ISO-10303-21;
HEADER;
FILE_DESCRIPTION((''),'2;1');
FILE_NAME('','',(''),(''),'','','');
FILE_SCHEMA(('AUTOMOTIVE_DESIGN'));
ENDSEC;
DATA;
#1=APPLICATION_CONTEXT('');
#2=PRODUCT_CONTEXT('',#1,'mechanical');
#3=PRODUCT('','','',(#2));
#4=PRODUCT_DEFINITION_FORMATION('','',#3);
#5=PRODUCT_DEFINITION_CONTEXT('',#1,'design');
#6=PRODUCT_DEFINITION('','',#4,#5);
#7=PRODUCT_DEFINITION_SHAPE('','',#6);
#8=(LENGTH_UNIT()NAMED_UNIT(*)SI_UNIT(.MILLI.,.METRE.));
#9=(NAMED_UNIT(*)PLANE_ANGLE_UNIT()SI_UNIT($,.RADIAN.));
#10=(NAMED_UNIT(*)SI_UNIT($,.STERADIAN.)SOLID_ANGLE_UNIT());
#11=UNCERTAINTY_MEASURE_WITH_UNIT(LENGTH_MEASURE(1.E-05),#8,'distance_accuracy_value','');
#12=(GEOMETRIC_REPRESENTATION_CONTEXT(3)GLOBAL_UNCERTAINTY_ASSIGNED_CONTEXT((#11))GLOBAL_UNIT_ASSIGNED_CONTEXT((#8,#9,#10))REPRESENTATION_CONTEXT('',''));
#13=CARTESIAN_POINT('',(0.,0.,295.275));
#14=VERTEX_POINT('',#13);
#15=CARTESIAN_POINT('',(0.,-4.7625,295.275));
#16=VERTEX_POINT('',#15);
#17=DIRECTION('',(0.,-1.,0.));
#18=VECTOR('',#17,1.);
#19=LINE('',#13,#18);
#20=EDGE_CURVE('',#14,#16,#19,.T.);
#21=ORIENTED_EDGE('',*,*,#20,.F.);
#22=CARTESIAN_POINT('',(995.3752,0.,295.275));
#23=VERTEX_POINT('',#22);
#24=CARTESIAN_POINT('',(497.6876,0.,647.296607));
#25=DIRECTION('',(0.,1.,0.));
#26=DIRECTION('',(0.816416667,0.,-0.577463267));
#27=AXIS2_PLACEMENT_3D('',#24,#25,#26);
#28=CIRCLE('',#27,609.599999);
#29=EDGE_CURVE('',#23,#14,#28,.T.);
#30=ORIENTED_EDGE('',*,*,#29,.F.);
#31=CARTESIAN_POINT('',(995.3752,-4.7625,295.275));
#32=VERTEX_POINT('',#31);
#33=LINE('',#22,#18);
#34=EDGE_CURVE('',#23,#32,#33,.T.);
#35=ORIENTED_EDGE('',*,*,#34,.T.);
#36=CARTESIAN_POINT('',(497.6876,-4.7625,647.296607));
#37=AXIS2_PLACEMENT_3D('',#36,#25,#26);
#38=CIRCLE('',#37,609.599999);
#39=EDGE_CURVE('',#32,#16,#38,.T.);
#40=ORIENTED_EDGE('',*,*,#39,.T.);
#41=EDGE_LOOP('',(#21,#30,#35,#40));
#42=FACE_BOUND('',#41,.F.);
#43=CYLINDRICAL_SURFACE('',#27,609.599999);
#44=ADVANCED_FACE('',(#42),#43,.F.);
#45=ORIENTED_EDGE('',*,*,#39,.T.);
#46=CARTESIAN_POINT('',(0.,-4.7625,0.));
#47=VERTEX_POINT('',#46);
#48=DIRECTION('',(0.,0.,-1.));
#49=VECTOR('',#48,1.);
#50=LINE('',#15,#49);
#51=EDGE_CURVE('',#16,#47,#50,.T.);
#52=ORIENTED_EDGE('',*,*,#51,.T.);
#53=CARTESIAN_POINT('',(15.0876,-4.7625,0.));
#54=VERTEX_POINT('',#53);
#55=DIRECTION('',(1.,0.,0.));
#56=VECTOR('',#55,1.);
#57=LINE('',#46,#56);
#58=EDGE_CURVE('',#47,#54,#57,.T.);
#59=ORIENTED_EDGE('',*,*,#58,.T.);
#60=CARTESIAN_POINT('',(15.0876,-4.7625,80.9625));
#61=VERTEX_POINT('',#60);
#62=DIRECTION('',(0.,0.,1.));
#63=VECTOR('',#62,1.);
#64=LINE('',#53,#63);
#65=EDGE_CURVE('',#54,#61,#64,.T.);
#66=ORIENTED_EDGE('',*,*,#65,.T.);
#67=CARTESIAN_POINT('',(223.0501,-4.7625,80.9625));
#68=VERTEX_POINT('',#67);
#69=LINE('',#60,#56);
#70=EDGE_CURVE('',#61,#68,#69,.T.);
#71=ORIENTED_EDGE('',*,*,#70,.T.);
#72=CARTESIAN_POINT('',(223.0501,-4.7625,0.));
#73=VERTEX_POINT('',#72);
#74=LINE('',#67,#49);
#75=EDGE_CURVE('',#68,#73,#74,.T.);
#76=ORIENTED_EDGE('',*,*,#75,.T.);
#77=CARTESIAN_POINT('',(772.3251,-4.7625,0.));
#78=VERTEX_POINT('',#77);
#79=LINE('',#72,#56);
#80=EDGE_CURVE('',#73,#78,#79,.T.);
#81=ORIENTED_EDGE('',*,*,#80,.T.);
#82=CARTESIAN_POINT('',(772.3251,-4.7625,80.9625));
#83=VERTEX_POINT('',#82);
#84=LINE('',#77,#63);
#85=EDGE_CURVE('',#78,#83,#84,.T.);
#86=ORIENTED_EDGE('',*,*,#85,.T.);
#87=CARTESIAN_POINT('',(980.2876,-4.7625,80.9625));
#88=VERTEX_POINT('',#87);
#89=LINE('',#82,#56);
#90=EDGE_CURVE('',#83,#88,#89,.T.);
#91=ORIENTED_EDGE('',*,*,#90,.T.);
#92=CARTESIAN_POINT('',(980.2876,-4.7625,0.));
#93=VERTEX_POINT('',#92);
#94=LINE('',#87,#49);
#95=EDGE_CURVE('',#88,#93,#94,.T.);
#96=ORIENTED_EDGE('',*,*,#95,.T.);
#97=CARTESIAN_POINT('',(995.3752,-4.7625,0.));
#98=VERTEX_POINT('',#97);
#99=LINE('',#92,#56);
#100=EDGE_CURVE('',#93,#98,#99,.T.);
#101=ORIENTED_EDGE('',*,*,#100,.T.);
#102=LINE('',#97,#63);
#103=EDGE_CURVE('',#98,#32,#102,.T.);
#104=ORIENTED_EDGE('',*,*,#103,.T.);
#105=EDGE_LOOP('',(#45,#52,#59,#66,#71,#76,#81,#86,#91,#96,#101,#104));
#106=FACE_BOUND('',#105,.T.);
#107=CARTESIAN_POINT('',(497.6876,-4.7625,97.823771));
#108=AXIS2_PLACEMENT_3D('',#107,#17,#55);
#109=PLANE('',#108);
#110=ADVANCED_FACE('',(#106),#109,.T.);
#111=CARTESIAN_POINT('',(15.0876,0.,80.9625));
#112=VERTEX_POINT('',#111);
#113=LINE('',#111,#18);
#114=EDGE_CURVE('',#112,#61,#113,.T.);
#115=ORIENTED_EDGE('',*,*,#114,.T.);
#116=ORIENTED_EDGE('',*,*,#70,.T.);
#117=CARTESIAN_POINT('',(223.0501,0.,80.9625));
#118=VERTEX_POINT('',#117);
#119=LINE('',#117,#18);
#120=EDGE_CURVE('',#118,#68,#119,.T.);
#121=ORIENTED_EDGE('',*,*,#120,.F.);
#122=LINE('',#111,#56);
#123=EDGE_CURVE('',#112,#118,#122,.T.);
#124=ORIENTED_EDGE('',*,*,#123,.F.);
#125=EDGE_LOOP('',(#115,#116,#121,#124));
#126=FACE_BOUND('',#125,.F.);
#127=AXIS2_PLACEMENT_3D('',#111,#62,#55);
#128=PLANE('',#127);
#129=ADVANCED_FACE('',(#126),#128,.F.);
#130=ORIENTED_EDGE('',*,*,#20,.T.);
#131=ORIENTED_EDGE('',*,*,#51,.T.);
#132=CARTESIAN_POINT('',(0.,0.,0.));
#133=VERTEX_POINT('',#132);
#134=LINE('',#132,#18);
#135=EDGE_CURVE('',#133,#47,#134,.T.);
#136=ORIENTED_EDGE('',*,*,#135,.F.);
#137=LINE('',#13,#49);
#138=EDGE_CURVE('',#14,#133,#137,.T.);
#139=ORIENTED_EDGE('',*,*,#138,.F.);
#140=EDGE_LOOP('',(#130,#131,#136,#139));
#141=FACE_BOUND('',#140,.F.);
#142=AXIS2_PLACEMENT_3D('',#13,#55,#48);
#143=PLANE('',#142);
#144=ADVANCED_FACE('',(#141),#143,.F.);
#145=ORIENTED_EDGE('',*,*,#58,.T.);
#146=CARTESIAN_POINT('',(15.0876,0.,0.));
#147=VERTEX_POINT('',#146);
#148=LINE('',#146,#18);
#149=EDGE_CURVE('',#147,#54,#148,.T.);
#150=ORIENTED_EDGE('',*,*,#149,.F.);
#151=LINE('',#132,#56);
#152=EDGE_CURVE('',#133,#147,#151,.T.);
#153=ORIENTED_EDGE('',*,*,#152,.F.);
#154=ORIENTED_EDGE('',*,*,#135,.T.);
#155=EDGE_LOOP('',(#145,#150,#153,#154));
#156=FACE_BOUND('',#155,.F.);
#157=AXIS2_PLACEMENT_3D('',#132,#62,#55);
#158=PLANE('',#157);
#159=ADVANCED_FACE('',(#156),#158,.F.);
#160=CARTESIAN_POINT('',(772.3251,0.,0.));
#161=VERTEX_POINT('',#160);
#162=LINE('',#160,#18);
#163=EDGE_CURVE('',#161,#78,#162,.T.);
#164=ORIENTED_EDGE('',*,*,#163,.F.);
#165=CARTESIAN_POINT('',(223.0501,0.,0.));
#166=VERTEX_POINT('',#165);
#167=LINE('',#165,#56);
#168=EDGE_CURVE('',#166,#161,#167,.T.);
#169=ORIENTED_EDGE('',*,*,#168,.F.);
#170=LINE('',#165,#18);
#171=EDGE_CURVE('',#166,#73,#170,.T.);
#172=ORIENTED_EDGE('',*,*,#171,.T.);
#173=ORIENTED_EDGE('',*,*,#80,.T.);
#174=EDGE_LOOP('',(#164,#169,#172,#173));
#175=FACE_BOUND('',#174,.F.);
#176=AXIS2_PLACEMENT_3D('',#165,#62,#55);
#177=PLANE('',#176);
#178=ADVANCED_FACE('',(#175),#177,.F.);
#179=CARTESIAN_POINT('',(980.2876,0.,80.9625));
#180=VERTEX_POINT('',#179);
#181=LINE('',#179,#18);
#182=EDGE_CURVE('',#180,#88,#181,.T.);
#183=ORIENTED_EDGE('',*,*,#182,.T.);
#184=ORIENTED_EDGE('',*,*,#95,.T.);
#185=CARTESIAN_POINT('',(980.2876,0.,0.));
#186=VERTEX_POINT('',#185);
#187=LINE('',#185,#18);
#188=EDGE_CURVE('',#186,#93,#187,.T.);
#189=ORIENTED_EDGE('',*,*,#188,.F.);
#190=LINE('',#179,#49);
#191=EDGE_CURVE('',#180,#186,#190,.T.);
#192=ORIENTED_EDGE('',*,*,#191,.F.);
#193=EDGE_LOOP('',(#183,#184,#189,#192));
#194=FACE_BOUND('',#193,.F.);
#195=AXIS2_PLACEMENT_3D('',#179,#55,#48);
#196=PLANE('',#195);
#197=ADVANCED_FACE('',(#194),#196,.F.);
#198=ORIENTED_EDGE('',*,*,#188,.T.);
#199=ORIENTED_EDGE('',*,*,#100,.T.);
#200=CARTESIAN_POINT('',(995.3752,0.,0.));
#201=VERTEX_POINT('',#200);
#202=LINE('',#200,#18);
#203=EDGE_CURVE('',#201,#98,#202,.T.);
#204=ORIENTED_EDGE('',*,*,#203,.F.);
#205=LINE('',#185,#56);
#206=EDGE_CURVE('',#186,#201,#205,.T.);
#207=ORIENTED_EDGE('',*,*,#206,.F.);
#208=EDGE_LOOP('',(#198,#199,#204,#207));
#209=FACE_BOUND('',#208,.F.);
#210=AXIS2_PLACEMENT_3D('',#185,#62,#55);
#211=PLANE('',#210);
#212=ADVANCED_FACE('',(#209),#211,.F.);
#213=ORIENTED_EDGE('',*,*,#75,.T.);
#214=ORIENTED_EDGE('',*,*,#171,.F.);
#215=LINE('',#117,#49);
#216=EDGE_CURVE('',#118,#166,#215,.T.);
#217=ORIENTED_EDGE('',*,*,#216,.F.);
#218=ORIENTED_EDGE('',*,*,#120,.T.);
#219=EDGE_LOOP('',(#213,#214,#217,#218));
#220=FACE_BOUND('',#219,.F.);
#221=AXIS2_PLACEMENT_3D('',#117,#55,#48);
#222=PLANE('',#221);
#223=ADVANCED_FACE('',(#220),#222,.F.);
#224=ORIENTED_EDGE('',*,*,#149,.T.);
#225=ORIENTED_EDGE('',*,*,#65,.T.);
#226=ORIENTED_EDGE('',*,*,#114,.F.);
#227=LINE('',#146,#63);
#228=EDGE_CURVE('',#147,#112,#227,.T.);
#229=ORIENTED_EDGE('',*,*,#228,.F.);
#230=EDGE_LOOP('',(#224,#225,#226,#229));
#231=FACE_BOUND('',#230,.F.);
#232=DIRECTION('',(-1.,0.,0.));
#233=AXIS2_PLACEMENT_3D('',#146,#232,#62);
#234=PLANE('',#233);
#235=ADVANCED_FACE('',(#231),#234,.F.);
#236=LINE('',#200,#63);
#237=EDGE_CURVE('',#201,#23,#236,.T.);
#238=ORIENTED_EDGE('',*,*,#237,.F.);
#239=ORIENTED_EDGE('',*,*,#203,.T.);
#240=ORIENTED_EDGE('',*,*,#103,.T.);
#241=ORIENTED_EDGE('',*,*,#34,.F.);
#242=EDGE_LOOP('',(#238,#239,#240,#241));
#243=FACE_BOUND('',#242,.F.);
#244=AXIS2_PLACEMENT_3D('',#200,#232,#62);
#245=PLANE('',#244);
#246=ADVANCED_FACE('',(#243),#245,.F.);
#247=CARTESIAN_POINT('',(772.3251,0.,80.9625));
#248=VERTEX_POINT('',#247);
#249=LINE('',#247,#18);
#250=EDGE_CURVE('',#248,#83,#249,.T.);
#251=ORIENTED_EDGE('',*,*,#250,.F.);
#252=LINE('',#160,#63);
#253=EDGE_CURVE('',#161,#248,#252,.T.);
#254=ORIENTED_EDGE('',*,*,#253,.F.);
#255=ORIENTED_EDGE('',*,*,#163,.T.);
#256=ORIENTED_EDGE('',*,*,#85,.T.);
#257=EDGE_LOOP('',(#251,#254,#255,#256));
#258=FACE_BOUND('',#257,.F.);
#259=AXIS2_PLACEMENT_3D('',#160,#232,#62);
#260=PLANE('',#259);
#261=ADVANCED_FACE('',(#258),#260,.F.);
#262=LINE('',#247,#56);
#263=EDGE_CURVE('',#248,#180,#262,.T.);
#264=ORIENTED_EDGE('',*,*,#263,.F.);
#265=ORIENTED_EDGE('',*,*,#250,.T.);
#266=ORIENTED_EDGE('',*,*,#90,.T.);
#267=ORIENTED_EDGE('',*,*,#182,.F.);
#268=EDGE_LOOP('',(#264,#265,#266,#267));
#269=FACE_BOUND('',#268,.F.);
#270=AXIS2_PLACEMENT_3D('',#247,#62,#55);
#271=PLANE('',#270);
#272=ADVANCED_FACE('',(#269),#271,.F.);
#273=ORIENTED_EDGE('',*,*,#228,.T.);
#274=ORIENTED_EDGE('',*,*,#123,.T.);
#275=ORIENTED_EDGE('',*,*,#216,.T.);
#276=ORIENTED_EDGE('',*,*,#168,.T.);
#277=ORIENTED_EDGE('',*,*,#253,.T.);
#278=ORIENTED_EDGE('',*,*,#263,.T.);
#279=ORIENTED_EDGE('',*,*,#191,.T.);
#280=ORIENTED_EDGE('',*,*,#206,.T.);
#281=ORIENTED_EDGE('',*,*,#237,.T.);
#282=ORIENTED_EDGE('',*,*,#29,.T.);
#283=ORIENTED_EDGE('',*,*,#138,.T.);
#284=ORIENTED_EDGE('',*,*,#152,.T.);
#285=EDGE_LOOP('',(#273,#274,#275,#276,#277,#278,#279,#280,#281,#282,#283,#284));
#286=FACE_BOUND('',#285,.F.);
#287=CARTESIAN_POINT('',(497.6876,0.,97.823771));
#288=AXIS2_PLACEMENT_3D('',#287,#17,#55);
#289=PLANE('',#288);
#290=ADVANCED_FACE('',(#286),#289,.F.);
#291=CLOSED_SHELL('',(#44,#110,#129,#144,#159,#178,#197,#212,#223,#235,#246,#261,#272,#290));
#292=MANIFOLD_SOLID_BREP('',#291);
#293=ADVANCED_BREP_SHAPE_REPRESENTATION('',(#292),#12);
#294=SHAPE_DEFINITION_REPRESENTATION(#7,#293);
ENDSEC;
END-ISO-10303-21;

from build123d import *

# Parameters (mm, degrees)
F1_DEPTH = 4.7625


with BuildPart() as f1:
    # F0 (on Front) → F1 (new body)
    with BuildSketch(Plane.XZ):
        with BuildLine():
            Line((0, 295.275), (0, 0))
            Line((0, 0), (15.0876, 0))
            Line((15.0876, 0), (15.0876, 80.9625))
            Line((15.0876, 80.9625), (223.0501, 80.9625))
            Line((223.0501, 80.9625), (223.0501, 0))
            Line((223.0501, 0), (772.3251, 0))
            Line((772.3251, 0), (772.3251, 80.9625))
            Line((772.3251, 80.9625), (980.2876, 80.9625))
            Line((980.2876, 80.9625), (980.2876, 0))
            Line((980.2876, 0), (995.3752, 0))
            Line((995.3752, 0), (995.3752, 295.275))
            ThreePointArc((995.3752, 295.275), (497.6876, 37.696608), (0, 295.275))
        make_face()
    extrude(amount=F1_DEPTH)


solid = f1.part
